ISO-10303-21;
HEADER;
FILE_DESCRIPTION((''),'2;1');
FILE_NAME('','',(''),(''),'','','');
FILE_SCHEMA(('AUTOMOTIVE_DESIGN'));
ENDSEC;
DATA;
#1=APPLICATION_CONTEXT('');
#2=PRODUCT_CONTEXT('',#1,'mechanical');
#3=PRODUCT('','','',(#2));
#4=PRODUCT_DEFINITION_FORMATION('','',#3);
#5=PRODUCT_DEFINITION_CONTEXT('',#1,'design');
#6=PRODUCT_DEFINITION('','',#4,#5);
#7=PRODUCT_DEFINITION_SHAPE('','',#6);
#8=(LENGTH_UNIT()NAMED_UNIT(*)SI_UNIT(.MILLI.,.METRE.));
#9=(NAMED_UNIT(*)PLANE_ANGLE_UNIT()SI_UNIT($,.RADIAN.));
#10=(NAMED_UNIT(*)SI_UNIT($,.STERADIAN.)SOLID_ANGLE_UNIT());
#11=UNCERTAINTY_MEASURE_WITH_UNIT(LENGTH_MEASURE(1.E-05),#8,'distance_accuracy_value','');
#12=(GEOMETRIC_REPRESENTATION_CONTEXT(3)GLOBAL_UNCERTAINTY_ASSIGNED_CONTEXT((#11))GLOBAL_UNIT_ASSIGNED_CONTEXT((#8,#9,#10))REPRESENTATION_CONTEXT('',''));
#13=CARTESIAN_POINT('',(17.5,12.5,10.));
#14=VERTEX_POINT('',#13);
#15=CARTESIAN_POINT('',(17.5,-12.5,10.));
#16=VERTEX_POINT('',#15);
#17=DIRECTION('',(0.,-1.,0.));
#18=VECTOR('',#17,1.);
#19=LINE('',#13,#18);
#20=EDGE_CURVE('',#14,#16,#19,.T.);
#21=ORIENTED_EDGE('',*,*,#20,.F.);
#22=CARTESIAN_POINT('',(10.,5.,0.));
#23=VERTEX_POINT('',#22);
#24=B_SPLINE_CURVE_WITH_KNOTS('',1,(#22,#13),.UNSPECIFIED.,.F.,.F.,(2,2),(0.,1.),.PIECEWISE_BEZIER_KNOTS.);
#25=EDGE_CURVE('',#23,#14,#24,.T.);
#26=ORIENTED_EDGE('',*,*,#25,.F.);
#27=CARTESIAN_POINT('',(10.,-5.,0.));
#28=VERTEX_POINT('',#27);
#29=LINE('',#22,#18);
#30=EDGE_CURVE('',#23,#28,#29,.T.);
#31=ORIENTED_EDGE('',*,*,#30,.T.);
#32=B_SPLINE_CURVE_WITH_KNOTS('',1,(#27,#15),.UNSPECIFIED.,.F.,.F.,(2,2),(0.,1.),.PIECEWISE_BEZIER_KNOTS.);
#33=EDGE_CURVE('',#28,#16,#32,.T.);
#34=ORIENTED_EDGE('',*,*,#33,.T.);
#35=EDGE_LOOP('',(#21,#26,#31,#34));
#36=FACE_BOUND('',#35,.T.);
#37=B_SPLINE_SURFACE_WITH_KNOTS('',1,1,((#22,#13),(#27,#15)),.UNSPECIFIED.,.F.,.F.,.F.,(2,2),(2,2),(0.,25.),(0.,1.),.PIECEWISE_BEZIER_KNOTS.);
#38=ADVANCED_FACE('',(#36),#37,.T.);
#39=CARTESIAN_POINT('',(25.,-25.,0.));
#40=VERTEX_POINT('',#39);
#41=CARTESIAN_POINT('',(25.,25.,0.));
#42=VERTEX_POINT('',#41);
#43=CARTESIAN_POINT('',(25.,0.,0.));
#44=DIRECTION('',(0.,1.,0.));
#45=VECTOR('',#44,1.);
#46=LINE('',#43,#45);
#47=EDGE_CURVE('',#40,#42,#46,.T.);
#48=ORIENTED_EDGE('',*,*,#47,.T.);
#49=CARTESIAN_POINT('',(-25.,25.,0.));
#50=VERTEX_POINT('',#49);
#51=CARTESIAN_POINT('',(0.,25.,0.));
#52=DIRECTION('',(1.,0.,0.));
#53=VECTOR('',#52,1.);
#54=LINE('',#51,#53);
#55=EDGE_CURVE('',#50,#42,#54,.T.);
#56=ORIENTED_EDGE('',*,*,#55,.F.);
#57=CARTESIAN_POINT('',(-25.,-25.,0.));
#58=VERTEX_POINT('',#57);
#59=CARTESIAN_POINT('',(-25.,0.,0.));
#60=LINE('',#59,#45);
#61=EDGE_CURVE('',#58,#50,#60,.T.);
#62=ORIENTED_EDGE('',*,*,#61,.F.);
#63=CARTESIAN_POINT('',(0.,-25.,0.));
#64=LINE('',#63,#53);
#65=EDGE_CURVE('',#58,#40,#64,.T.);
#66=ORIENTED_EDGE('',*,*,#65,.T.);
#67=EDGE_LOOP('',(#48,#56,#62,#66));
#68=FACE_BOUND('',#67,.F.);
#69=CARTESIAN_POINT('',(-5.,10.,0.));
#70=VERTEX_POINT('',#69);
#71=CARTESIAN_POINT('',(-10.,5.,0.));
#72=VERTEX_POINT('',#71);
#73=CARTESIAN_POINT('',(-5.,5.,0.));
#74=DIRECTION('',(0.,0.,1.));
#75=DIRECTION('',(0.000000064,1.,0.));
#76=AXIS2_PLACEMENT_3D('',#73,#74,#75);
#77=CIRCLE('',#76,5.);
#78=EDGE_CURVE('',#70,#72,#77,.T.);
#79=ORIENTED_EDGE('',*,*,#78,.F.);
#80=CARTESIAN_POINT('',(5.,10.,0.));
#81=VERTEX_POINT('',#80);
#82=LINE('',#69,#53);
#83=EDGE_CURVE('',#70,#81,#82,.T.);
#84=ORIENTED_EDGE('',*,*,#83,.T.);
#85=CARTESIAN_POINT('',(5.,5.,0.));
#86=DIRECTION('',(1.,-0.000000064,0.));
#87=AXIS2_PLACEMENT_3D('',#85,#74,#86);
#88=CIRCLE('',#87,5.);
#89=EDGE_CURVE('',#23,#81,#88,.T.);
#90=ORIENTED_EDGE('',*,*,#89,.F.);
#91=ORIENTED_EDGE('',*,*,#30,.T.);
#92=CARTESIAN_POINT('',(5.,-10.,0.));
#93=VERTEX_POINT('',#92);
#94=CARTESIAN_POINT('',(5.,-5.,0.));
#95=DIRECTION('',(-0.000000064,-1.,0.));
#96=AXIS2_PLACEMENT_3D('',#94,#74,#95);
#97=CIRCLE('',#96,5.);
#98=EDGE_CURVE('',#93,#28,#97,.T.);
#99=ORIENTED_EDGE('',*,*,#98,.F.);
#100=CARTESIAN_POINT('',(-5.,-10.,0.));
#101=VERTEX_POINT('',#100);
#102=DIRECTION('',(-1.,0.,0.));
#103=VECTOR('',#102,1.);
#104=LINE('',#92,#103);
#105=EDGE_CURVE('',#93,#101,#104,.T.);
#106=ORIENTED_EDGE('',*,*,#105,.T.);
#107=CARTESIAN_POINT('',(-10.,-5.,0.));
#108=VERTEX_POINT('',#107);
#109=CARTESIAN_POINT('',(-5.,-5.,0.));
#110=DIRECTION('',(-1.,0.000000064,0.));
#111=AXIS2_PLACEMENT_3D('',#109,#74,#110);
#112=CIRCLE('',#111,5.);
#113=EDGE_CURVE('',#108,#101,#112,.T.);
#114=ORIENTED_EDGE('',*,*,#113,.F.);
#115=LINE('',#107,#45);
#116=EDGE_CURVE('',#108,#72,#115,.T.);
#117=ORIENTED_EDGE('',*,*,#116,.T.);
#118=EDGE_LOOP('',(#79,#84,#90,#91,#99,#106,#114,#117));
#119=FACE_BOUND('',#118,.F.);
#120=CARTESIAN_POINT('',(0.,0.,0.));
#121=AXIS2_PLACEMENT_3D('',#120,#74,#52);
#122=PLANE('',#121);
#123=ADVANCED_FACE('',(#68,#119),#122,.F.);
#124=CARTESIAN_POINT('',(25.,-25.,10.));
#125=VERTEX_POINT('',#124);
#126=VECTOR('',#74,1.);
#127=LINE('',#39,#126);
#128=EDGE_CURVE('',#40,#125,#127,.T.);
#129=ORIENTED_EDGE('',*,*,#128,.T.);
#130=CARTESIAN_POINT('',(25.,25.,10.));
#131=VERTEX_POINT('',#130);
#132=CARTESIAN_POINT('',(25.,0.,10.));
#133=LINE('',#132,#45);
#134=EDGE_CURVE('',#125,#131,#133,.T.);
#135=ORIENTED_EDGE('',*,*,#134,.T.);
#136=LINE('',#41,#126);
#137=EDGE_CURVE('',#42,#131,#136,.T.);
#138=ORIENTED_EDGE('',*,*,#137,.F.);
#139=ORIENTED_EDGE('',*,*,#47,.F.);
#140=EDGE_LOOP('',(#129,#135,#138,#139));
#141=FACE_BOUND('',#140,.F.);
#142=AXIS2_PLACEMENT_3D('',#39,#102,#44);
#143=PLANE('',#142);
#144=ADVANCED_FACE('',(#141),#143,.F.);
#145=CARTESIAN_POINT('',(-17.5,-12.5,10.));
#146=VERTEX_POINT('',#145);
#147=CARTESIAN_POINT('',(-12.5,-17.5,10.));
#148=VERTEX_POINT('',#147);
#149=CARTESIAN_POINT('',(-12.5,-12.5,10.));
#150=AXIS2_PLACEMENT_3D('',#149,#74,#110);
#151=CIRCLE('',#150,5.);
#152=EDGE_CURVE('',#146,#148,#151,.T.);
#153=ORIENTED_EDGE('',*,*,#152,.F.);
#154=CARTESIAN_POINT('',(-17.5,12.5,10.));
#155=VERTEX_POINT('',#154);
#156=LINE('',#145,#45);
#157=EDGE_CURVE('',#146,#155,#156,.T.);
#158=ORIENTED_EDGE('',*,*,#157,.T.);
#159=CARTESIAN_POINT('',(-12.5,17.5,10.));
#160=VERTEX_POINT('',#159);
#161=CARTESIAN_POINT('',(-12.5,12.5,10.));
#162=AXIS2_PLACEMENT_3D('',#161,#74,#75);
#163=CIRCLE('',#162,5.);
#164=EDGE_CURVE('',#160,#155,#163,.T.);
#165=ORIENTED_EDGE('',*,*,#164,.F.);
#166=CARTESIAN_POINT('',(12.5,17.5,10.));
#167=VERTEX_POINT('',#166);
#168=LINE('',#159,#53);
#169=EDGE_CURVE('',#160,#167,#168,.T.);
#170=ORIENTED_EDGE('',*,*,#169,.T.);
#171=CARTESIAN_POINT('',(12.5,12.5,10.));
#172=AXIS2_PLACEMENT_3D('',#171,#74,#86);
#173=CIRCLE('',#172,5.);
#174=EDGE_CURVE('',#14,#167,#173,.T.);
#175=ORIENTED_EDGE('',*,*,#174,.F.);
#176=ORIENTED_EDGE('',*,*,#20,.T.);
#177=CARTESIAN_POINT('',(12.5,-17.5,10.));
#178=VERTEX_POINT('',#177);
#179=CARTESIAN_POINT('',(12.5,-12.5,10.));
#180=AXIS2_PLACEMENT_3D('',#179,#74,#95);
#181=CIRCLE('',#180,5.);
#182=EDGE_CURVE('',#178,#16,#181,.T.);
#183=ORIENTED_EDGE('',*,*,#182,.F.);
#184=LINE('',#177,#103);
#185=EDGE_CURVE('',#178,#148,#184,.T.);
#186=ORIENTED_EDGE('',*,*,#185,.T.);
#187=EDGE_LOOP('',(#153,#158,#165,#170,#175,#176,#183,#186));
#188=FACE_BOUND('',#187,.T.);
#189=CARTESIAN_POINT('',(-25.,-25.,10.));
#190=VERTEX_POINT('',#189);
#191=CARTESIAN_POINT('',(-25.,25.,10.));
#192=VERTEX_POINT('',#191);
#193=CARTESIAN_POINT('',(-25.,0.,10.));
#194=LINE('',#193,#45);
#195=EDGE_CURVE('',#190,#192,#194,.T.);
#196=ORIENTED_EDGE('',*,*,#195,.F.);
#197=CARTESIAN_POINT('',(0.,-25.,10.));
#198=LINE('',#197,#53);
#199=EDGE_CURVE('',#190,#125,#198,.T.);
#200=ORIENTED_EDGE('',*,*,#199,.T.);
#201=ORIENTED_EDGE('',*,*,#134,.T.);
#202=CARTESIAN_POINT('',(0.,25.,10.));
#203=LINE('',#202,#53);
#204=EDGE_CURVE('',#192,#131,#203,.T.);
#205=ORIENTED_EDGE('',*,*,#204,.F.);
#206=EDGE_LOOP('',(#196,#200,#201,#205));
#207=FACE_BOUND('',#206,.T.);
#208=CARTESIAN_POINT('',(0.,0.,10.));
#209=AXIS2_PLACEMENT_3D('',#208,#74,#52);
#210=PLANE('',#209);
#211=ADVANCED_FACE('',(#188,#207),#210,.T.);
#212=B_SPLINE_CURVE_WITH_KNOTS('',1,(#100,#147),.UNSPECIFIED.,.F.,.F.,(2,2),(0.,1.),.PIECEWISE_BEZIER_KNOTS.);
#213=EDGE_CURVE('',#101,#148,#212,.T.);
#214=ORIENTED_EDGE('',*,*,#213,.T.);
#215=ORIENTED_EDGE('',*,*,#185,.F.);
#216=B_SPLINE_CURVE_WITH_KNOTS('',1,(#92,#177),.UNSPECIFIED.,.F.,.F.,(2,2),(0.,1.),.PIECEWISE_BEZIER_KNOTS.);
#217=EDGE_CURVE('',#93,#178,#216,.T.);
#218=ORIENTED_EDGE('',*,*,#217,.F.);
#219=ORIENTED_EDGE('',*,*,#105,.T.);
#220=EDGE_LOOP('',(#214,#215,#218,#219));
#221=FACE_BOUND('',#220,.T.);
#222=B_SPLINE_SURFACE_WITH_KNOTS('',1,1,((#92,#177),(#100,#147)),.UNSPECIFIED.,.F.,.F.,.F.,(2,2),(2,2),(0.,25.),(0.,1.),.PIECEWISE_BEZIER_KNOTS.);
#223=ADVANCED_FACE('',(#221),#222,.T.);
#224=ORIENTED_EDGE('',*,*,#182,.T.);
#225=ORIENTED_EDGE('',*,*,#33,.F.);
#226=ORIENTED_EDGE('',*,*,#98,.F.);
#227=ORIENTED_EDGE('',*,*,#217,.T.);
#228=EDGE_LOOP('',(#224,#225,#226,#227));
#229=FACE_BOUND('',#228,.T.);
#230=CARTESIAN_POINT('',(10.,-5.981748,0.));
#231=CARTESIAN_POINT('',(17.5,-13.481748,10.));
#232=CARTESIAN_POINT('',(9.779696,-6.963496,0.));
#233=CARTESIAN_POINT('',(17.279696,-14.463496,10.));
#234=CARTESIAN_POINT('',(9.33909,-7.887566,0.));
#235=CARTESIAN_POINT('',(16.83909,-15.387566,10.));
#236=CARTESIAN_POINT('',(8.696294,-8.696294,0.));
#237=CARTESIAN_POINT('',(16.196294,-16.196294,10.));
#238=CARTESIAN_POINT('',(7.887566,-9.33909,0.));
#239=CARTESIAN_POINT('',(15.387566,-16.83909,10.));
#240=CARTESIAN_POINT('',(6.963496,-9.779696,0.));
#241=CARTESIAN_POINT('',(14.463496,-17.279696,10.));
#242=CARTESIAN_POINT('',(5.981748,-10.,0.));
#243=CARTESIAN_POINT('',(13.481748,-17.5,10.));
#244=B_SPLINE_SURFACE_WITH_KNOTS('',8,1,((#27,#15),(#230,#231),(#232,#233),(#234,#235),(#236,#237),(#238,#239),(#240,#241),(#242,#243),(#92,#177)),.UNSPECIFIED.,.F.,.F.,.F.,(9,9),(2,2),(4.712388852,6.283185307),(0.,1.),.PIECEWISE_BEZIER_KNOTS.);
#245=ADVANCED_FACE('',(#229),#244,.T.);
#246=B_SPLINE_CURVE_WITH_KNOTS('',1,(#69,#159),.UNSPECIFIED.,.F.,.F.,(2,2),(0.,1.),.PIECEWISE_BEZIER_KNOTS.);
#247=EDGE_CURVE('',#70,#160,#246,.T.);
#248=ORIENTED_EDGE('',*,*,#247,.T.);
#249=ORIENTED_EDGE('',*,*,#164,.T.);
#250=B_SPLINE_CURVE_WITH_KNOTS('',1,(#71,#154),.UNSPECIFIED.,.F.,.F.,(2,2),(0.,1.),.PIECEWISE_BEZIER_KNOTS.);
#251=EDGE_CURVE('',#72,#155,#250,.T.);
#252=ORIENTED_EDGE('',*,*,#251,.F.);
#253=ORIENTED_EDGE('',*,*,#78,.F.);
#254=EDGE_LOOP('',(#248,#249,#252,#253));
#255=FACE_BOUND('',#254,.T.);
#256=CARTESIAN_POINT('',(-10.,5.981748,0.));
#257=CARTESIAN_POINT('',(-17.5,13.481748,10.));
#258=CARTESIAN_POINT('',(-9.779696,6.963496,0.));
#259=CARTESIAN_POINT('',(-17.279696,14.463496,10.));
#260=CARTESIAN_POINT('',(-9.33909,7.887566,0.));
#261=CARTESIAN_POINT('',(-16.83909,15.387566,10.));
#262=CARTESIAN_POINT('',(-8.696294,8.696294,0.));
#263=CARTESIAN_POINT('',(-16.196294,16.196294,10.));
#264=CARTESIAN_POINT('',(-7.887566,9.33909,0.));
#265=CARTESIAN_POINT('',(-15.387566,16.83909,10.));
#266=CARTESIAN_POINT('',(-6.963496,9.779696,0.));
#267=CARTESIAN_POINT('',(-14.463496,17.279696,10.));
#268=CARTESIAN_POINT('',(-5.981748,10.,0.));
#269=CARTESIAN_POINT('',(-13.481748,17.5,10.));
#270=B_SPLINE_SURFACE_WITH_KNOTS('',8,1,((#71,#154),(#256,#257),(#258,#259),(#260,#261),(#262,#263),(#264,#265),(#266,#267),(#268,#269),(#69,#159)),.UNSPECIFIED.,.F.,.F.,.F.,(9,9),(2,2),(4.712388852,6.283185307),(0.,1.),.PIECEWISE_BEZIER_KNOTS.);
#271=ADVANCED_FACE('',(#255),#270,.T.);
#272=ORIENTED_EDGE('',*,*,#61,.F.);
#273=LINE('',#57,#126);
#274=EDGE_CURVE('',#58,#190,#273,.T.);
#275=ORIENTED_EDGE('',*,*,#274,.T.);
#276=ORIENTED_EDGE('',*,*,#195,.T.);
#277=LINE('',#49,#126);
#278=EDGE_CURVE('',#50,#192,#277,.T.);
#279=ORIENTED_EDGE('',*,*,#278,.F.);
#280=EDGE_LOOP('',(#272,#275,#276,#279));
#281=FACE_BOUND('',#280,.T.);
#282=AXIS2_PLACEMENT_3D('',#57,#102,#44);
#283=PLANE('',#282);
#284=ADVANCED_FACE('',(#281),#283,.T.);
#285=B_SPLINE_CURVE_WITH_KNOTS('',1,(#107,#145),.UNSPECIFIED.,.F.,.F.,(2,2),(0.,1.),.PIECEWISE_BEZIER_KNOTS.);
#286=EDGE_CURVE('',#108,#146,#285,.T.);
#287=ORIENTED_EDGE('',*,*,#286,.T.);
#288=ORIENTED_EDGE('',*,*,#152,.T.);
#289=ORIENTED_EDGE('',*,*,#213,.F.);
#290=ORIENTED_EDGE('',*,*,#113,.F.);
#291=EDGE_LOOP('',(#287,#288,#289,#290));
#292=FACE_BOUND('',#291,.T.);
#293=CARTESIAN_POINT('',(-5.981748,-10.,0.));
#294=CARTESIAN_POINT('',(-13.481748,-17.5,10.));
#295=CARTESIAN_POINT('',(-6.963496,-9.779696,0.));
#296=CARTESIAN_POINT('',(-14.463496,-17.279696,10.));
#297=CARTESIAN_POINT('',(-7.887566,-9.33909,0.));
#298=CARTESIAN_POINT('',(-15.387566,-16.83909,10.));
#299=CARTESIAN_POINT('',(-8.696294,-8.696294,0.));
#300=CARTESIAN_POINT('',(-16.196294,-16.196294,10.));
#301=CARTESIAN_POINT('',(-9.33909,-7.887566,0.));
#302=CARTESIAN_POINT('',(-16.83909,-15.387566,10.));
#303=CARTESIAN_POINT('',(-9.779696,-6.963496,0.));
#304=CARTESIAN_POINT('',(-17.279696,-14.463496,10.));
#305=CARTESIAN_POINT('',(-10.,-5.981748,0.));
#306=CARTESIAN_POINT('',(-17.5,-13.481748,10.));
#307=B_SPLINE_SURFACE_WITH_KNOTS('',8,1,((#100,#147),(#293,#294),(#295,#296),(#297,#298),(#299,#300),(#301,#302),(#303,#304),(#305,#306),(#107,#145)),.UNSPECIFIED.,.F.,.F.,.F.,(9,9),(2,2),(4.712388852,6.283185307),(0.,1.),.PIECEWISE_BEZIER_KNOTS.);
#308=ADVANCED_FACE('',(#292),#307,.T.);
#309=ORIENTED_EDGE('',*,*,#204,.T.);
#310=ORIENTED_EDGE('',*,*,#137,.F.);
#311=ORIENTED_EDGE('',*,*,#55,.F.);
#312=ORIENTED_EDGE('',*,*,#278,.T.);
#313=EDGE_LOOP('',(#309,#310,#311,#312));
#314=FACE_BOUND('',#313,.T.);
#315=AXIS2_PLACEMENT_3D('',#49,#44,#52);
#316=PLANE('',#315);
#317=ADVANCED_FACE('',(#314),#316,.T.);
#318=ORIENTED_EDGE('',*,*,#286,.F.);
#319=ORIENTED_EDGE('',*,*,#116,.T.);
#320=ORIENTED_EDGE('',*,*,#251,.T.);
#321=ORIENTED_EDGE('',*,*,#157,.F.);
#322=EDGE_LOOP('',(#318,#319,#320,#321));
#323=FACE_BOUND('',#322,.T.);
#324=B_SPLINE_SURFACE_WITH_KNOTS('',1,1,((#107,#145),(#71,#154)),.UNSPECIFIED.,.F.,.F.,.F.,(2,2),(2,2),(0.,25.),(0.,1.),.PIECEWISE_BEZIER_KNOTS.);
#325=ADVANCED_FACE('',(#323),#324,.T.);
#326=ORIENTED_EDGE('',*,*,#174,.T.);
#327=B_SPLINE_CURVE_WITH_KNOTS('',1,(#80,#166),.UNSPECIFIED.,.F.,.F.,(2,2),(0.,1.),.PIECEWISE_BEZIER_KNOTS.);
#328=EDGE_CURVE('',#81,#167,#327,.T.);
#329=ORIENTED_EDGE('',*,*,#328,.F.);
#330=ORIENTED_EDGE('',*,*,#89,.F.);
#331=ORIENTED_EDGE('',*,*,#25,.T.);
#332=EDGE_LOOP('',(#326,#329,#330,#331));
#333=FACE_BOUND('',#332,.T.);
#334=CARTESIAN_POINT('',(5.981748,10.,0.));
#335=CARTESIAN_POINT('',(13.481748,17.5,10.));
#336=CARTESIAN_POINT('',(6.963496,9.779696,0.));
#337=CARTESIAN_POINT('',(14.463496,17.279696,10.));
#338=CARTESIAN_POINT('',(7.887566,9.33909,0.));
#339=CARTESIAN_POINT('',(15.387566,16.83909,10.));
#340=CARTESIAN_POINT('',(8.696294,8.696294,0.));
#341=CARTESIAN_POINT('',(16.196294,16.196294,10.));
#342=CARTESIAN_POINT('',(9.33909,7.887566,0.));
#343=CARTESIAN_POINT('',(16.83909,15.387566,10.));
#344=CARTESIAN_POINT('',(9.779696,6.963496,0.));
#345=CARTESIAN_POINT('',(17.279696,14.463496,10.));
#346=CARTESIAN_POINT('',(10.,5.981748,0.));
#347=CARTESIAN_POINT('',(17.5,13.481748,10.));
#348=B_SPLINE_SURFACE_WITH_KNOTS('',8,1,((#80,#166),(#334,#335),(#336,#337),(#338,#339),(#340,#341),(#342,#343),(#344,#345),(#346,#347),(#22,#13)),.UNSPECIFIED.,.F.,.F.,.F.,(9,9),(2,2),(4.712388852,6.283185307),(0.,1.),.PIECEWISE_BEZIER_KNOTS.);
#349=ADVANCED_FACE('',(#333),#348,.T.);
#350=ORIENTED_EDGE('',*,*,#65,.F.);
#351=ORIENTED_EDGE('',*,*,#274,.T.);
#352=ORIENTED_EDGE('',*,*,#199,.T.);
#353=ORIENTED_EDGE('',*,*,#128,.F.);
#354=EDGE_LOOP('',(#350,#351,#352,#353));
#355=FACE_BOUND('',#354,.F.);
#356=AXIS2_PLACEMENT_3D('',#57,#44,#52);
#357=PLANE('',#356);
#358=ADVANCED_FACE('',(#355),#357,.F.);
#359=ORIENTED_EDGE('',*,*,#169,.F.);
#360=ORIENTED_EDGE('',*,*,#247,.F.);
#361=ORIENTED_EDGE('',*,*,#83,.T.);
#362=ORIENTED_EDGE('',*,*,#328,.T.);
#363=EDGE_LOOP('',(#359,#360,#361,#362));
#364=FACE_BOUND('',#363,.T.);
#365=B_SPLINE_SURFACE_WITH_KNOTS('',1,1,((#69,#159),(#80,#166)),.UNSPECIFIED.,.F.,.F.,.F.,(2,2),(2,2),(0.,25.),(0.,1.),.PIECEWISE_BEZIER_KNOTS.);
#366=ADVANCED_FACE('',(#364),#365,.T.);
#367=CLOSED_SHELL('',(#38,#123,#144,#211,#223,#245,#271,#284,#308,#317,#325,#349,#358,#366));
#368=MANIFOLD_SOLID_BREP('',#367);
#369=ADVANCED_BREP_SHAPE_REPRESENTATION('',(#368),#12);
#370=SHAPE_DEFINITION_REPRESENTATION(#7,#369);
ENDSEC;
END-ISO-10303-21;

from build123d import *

# Parameters (mm, degrees)
BOX_W     = 50
BOX_H     = 50
BOX_DEPTH = 10


with BuildPart() as loft_body:
    # Sketch (on Face5 of Box) → Loft section 0
    with BuildSketch(Plane.XY):
        with BuildLine():
            Line((-5, 10), (5, 10))
            ThreePointArc((10, 5), (8.535534, 8.535534), (5, 10))
            Line((10, 5), (10, -5))
            ThreePointArc((5, -10), (8.535534, -8.535534), (10, -5))
            Line((5, -10), (-5, -10))
            ThreePointArc((-10, -5), (-8.535534, -8.535534), (-5, -10))
            Line((-10, -5), (-10, 5))
            ThreePointArc((-5, 10), (-8.535534, 8.535534), (-10, 5))
        make_face()
    # Sketch001 (on Face5 of Box) → Loft section 1
    with BuildSketch(Plane.XY.offset(10)):
        with BuildLine():
            Line((-12.5, 17.5), (12.5, 17.5))
            ThreePointArc((17.5, 12.5), (16.035534, 16.035534), (12.5, 17.5))
            Line((17.5, 12.5), (17.5, -12.5))
            ThreePointArc((12.5, -17.5), (16.035534, -16.035534), (17.5, -12.5))
            Line((12.5, -17.5), (-12.5, -17.5))
            ThreePointArc((-17.5, -12.5), (-16.035534, -16.035534), (-12.5, -17.5))
            Line((-17.5, -12.5), (-17.5, 12.5))
            ThreePointArc((-12.5, 17.5), (-16.035534, 16.035534), (-17.5, 12.5))
        make_face()
    loft()


with BuildPart() as cut:
    # Box → Box (new body)
    with BuildSketch(Plane(origin=(-25, -25, 0), x_dir=(1, 0, 0), z_dir=(0, 0, 1))):
        with Locations((25, 25)):
            Rectangle(BOX_W, BOX_H)
    extrude(amount=BOX_DEPTH)

    # Cut: cut Loft body
    add(loft_body.part, mode=Mode.SUBTRACT)


solid = cut.part
